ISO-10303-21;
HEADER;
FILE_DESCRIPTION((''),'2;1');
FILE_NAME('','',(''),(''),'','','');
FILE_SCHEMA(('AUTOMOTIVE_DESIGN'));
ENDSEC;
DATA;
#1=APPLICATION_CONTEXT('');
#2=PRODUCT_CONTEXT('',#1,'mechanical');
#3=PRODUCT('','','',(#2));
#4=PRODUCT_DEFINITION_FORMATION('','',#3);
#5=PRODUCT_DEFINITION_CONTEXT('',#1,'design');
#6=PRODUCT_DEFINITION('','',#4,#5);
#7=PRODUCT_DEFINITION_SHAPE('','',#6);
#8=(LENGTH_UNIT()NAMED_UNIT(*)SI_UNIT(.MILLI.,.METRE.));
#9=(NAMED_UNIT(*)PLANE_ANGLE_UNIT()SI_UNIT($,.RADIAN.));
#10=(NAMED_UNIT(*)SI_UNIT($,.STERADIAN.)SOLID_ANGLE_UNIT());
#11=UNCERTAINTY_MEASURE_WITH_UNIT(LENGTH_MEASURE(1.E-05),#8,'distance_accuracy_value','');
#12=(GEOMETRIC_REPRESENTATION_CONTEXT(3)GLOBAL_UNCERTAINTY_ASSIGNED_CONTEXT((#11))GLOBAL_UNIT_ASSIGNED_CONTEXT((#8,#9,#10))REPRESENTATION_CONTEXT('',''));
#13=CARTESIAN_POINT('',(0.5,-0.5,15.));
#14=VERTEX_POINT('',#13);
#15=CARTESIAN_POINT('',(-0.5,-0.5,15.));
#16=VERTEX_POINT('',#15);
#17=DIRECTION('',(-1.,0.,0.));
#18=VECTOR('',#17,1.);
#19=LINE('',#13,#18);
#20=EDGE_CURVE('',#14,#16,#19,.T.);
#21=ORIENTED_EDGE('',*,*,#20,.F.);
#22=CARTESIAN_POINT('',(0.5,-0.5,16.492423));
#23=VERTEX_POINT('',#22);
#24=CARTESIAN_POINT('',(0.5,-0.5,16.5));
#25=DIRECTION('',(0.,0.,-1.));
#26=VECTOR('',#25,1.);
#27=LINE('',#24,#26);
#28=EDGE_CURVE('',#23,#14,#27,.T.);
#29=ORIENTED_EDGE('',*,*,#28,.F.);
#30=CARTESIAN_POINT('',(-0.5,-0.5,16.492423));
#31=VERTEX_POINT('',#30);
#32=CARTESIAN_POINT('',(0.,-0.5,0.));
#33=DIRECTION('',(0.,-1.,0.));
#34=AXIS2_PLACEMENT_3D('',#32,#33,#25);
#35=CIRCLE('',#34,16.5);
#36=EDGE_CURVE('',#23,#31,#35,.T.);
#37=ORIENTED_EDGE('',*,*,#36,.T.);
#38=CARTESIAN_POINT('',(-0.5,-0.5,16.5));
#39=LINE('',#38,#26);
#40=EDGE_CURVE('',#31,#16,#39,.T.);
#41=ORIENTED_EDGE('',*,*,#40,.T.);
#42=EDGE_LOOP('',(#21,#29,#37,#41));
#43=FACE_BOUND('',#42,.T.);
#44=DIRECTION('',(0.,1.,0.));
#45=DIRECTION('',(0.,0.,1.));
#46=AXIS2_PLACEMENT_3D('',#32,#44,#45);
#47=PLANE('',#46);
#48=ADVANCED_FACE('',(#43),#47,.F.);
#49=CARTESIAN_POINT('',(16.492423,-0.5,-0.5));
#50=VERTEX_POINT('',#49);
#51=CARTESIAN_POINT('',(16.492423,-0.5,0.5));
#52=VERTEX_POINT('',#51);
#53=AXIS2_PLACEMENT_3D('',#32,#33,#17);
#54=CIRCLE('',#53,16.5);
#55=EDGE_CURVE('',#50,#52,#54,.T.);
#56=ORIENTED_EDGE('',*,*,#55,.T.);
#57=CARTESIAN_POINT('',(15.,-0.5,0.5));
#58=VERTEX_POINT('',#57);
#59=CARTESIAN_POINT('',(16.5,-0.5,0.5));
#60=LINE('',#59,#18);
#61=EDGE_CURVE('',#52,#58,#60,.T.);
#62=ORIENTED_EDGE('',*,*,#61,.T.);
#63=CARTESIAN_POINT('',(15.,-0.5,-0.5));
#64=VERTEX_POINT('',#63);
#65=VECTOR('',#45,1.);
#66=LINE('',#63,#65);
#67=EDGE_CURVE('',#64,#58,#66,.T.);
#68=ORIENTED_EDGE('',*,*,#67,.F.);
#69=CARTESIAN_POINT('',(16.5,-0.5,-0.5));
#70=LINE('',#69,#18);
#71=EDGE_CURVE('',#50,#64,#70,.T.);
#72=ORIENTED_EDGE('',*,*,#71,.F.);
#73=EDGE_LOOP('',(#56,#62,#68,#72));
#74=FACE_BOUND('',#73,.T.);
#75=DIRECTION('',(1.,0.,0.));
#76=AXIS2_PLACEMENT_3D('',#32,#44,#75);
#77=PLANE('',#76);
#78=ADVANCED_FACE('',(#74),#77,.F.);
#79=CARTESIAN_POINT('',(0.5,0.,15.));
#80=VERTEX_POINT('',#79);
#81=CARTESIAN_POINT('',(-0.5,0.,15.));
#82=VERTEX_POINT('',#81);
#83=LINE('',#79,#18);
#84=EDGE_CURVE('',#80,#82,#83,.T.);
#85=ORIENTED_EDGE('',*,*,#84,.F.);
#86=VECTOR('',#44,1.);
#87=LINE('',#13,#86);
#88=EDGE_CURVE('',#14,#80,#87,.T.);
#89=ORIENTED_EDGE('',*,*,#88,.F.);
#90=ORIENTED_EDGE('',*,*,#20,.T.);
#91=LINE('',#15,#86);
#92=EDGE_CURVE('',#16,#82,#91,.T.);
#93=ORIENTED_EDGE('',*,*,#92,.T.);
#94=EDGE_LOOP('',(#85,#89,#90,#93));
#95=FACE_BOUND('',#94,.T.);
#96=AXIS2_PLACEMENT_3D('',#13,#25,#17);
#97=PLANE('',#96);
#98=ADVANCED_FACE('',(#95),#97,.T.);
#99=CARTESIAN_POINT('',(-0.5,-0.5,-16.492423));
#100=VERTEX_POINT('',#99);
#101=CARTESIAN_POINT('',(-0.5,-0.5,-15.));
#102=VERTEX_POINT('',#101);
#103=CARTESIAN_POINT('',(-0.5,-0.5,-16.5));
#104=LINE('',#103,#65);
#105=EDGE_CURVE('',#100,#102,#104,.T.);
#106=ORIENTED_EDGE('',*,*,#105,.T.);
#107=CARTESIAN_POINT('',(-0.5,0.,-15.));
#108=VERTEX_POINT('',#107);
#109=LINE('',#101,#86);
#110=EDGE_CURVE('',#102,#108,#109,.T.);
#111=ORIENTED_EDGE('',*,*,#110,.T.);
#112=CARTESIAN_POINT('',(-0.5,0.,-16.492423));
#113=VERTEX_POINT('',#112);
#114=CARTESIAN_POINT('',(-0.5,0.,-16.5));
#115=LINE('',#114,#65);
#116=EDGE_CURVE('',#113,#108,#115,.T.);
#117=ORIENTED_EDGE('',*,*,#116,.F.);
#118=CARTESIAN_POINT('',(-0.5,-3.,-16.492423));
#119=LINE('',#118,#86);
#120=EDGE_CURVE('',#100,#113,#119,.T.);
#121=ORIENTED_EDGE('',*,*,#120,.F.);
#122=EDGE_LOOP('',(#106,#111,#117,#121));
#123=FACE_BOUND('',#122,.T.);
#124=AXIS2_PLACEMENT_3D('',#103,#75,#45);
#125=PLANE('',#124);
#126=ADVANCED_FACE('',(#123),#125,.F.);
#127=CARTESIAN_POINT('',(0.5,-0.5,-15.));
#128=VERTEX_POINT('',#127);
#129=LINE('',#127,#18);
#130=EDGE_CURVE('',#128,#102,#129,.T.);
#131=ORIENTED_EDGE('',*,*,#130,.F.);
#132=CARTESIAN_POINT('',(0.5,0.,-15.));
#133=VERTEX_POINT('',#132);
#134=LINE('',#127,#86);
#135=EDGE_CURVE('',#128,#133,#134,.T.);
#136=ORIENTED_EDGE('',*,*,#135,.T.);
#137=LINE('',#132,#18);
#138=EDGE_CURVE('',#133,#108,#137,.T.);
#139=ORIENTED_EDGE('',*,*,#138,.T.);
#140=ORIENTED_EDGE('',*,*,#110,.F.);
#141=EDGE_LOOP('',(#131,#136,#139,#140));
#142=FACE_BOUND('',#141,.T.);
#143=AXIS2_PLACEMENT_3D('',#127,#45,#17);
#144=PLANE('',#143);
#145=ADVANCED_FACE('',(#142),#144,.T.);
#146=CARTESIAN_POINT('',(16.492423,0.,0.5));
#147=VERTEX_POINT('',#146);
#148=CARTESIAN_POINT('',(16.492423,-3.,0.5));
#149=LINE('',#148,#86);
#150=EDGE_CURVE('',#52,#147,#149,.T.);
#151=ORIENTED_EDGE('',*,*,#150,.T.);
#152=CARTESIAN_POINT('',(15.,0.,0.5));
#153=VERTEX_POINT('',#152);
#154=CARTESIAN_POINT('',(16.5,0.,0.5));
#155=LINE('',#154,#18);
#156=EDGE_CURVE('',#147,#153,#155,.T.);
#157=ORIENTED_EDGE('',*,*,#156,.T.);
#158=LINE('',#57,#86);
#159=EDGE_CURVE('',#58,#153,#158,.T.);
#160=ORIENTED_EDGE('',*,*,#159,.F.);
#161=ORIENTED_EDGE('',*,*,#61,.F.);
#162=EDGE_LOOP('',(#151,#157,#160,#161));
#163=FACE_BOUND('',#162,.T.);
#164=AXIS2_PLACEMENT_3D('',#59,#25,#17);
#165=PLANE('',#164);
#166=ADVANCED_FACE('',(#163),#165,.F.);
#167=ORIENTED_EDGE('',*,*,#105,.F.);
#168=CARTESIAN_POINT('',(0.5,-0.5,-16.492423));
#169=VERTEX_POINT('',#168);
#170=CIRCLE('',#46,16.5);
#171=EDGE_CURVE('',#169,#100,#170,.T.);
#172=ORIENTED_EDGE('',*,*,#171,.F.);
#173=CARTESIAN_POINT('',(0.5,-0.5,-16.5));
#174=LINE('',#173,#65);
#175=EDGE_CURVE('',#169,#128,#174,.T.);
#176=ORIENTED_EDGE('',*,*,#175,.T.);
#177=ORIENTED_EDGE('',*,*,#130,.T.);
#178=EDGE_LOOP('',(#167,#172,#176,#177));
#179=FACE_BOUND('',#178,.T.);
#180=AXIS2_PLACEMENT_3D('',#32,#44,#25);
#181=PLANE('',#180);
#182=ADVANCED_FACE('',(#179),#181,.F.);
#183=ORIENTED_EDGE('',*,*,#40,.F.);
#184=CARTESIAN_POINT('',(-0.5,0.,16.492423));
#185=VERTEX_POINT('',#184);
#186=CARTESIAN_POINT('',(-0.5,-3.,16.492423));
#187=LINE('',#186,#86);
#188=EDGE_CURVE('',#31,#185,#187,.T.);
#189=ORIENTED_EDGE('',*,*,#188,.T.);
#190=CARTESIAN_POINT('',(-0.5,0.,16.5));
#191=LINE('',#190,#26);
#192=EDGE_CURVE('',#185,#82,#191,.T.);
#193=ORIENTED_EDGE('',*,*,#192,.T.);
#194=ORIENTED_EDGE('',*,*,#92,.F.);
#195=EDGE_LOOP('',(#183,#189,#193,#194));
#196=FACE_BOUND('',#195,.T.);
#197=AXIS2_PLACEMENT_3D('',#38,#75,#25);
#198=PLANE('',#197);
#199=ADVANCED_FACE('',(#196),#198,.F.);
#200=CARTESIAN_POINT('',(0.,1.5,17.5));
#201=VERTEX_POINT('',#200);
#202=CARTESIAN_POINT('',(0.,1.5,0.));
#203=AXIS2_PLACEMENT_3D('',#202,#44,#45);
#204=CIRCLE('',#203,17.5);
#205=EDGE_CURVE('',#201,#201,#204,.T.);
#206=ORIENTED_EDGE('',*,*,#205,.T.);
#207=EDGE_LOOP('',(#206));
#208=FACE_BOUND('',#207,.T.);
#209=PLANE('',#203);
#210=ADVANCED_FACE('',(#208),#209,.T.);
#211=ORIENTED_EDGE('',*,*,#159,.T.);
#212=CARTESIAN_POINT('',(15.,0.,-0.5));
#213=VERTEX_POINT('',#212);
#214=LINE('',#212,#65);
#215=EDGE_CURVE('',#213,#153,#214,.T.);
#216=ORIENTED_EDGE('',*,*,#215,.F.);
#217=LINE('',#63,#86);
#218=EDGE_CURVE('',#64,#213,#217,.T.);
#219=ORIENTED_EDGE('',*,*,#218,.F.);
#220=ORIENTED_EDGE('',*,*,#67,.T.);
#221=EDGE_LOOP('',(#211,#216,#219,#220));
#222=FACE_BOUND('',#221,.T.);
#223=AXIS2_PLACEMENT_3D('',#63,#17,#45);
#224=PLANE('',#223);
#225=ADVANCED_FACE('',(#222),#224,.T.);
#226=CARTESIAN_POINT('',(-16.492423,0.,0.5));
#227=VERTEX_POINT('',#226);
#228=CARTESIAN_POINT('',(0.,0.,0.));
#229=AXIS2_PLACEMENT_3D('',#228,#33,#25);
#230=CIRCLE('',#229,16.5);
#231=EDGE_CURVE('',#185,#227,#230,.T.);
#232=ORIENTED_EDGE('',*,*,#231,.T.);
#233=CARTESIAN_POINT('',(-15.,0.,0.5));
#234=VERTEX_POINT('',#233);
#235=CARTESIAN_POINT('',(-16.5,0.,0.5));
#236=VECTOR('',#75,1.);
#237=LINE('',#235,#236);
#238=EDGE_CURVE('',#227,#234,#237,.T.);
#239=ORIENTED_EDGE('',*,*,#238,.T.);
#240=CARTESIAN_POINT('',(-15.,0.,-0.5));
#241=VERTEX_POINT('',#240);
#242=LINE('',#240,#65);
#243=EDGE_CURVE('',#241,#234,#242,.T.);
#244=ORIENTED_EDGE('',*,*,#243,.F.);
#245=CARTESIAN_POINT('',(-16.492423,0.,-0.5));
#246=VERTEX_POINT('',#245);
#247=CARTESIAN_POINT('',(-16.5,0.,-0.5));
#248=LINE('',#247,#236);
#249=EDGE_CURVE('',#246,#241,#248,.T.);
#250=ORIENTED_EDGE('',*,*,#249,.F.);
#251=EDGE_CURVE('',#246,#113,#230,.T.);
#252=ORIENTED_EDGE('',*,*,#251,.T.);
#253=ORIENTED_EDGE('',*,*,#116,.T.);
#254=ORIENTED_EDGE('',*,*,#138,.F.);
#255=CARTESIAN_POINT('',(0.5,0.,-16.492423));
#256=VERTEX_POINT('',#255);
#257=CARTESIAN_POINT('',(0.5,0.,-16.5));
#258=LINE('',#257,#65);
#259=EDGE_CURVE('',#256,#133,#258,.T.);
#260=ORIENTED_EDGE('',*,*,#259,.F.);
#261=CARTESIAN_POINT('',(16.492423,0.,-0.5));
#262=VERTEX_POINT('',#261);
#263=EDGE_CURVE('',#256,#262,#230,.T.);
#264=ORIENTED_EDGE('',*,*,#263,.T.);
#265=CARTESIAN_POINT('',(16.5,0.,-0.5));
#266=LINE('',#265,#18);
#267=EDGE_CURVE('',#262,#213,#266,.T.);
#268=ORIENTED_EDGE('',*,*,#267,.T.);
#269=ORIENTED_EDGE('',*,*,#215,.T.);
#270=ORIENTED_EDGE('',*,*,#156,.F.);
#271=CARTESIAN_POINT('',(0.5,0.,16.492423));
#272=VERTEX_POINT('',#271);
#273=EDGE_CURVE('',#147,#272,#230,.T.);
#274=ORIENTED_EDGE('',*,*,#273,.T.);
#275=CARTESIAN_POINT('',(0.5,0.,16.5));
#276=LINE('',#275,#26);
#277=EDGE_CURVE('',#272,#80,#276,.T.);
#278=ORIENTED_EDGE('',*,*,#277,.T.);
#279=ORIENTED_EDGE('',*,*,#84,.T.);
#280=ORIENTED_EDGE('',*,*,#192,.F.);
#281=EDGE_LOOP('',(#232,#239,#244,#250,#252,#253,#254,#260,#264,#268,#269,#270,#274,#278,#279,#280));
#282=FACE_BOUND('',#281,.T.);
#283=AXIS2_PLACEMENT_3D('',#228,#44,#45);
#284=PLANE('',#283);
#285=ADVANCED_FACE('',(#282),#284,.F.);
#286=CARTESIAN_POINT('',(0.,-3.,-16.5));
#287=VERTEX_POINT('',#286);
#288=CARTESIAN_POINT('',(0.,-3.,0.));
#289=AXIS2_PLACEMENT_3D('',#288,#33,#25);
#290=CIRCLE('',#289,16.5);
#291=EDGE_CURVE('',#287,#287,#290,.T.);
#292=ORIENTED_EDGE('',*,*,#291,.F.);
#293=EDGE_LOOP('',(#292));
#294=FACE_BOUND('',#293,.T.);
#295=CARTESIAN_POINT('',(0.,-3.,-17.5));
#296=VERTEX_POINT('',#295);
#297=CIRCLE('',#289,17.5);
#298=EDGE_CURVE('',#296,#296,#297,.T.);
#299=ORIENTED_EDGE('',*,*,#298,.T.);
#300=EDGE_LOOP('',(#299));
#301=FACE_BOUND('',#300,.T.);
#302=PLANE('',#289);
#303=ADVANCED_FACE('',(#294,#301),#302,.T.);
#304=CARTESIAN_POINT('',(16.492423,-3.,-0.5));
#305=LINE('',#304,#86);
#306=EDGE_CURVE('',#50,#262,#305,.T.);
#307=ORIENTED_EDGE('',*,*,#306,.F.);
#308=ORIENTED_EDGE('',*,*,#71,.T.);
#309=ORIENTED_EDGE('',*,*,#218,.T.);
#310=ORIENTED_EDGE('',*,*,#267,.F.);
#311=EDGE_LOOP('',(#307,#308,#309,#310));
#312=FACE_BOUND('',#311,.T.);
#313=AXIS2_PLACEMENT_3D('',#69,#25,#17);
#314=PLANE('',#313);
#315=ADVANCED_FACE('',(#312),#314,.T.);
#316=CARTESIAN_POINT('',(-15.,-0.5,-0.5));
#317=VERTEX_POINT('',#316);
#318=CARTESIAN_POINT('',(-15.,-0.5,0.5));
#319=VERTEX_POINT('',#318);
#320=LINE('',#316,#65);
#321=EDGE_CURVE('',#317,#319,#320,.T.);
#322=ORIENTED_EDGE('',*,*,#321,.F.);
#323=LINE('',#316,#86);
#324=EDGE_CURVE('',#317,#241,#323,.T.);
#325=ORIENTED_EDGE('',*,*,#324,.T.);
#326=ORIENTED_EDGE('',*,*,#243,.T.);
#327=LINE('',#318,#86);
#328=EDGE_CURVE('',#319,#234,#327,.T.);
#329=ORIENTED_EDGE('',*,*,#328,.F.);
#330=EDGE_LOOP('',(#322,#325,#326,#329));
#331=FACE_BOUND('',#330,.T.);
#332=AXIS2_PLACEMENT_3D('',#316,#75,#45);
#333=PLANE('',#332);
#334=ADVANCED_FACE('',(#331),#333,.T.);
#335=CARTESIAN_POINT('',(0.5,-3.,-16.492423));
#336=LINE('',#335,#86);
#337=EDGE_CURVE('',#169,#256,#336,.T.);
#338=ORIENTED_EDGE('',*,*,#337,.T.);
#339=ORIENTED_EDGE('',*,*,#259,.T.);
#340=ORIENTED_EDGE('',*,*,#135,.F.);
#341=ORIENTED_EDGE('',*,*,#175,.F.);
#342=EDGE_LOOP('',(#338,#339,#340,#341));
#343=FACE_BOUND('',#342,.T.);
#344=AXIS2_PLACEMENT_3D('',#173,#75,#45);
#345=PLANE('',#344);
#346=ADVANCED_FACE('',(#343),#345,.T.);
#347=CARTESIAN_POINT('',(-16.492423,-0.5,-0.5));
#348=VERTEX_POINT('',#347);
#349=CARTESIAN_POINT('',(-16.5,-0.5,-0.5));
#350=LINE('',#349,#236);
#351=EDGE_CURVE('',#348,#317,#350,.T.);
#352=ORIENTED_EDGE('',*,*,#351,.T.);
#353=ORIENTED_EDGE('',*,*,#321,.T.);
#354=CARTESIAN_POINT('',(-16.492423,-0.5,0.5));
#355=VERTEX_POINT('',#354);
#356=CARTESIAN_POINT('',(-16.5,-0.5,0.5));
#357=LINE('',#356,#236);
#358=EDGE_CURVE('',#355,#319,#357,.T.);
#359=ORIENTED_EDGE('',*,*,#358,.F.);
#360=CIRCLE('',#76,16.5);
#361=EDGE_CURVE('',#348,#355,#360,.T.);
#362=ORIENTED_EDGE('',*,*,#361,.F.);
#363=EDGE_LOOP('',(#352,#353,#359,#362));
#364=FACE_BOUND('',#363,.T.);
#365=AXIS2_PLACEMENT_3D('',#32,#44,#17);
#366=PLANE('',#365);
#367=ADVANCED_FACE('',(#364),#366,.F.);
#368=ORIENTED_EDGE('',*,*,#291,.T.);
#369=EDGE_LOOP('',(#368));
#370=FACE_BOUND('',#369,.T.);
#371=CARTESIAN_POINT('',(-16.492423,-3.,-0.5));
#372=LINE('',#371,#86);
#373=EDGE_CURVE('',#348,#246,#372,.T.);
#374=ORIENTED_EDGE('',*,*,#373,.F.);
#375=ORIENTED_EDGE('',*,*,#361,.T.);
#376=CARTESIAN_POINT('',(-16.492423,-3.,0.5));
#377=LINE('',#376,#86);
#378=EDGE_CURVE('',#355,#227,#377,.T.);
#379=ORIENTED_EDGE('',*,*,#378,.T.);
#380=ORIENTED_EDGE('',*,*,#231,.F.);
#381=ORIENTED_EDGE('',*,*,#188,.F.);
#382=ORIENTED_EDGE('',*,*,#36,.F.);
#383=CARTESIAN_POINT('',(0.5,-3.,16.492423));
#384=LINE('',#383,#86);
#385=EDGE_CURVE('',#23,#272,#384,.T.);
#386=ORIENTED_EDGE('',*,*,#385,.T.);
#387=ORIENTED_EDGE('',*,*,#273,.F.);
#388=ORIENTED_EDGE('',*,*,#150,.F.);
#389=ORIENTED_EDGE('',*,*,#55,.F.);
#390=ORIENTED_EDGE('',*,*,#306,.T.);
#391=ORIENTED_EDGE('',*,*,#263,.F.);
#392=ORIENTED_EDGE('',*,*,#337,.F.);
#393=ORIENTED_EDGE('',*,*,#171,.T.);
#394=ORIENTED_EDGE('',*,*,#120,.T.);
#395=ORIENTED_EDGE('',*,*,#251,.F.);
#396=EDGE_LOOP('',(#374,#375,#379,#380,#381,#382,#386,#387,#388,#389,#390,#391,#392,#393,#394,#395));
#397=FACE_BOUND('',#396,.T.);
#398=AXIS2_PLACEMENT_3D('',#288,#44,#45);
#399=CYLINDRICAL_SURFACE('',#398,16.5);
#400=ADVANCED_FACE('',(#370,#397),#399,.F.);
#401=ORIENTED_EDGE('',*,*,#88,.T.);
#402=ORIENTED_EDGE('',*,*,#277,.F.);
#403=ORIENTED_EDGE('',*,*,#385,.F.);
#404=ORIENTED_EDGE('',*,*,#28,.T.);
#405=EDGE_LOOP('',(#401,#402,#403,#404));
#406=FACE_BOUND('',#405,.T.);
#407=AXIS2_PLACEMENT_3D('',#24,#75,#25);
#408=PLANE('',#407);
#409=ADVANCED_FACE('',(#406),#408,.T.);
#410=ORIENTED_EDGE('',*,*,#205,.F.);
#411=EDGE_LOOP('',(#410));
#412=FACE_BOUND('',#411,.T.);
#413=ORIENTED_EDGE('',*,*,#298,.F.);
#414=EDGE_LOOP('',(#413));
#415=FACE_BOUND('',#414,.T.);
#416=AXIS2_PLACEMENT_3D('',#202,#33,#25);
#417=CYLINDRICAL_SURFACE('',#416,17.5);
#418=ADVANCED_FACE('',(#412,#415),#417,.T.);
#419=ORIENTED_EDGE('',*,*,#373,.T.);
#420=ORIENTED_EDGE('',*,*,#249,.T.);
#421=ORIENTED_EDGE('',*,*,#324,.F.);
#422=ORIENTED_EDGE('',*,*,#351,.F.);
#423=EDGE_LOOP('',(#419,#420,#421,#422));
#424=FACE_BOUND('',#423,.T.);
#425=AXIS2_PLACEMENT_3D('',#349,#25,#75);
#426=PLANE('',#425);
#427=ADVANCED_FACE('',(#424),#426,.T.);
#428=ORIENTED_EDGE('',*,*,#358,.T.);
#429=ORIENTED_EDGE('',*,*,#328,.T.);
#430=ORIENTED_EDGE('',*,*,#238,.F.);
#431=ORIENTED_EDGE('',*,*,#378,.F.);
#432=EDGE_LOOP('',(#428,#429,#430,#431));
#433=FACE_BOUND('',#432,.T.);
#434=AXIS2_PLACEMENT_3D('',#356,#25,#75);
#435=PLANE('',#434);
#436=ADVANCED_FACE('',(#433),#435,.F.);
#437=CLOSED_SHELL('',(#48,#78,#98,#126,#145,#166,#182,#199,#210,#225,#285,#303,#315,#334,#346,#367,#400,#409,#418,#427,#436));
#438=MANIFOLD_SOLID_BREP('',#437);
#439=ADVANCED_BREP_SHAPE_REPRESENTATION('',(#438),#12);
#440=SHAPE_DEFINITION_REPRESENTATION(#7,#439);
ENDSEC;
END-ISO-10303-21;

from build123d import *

# Parameters (mm, degrees)
SKETCH1_R             = 17.5
BOSS_EXTRUDE1_DEPTH   = 1.5
SKETCH3_W             = 1
SKETCH3_H             = 1.5
BOSS_EXTRUDE3_DEPTH   = 0.5
BOSS_EXTRUDE4_START   = 3
SKETCH3_4_R           = 17.5
BOSS_EXTRUDE4_DEPTH   = 3
BOSS_EXTRUDE6_DEPTH   = 2.5
BODY_MOVE_COPY1_ANGLE = 90


with BuildPart() as part:
    # Sketch1 → Boss-Extrude1 (new body)
    with BuildSketch(Plane(origin=(0, 0, 0), x_dir=(1, 0, 0), z_dir=(0, 1, 0))):
        with Locations(Location((0, 0, 0), (0, 0, 270))):
            Circle(SKETCH1_R)
    extrude(amount=BOSS_EXTRUDE1_DEPTH)

    # Sketch3 → Boss-Extrude3 (add)
    with BuildSketch(Plane.XZ):
        with Locations((0, 15.75)):
            Rectangle(SKETCH3_W, SKETCH3_H)
    extrude(amount=BOSS_EXTRUDE3_DEPTH)

    # Sketch3<4> → Boss-Extrude4 (add)
    with BuildSketch(Plane.XZ.offset(BOSS_EXTRUDE4_START)):
        with Locations(Location((0, 0, 0), (0, 0, 270))):
            Circle(SKETCH3_4_R)
        with BuildLine():
            Line((-0.5, 16.5), (0.5, 16.5))
            Line((0.5, 16.5), (0.5, 16.492422502))
            ThreePointArc((0.5, 16.492422502), (0, -16.5), (-0.5, 16.492422502))
            Line((-0.5, 16.492422502), (-0.5, 16.5))
        make_face(mode=Mode.SUBTRACT)
    extrude(amount=-BOSS_EXTRUDE4_DEPTH)

    # Sketch4 → Boss-Extrude6 (add)
    with BuildSketch(Plane.XZ.offset(3)):
        with BuildLine():
            Line((-0.5, 16.5), (-0.5, 16.492422502))
            ThreePointArc((-0.5, 16.492422502), (-0.250028708, 16.498105517), (0, 16.5))
            Line((0, 16.5), (-0.5, 16.5))
        make_face()
        with BuildLine():
            Line((0.5, 16.5), (0, 16.5))
            ThreePointArc((0, 16.5), (0.250028708, 16.498105517), (0.5, 16.492422502))
            Line((0.5, 16.492422502), (0.5, 16.5))
        make_face()
    extrude(amount=-BOSS_EXTRUDE6_DEPTH)

    # Split2
    split(bisect_by=Plane(origin=(0, 0, 0), x_dir=(-1, 0, 0), z_dir=(0, 0, -1)), keep=Keep.BOTTOM)

    # Mirror1: part across plane


with BuildPart() as part_1:
    add(part.part)
    add(part.part.mirror(Plane(origin=(0, 0, 0), x_dir=(1, 0, 0), z_dir=(0, 0, -1))))


with BuildPart() as body_2:
    # Body-Move/Copy1: copy of part
    add(part_1.part.rotate(Axis((0, 0, 0), (0, 1, 0)), BODY_MOVE_COPY1_ANGLE))


with BuildPart() as part_2:
    add(part_1.part)

    # Combine1: union body 2
    add(body_2.part)


solid = part_2.part
